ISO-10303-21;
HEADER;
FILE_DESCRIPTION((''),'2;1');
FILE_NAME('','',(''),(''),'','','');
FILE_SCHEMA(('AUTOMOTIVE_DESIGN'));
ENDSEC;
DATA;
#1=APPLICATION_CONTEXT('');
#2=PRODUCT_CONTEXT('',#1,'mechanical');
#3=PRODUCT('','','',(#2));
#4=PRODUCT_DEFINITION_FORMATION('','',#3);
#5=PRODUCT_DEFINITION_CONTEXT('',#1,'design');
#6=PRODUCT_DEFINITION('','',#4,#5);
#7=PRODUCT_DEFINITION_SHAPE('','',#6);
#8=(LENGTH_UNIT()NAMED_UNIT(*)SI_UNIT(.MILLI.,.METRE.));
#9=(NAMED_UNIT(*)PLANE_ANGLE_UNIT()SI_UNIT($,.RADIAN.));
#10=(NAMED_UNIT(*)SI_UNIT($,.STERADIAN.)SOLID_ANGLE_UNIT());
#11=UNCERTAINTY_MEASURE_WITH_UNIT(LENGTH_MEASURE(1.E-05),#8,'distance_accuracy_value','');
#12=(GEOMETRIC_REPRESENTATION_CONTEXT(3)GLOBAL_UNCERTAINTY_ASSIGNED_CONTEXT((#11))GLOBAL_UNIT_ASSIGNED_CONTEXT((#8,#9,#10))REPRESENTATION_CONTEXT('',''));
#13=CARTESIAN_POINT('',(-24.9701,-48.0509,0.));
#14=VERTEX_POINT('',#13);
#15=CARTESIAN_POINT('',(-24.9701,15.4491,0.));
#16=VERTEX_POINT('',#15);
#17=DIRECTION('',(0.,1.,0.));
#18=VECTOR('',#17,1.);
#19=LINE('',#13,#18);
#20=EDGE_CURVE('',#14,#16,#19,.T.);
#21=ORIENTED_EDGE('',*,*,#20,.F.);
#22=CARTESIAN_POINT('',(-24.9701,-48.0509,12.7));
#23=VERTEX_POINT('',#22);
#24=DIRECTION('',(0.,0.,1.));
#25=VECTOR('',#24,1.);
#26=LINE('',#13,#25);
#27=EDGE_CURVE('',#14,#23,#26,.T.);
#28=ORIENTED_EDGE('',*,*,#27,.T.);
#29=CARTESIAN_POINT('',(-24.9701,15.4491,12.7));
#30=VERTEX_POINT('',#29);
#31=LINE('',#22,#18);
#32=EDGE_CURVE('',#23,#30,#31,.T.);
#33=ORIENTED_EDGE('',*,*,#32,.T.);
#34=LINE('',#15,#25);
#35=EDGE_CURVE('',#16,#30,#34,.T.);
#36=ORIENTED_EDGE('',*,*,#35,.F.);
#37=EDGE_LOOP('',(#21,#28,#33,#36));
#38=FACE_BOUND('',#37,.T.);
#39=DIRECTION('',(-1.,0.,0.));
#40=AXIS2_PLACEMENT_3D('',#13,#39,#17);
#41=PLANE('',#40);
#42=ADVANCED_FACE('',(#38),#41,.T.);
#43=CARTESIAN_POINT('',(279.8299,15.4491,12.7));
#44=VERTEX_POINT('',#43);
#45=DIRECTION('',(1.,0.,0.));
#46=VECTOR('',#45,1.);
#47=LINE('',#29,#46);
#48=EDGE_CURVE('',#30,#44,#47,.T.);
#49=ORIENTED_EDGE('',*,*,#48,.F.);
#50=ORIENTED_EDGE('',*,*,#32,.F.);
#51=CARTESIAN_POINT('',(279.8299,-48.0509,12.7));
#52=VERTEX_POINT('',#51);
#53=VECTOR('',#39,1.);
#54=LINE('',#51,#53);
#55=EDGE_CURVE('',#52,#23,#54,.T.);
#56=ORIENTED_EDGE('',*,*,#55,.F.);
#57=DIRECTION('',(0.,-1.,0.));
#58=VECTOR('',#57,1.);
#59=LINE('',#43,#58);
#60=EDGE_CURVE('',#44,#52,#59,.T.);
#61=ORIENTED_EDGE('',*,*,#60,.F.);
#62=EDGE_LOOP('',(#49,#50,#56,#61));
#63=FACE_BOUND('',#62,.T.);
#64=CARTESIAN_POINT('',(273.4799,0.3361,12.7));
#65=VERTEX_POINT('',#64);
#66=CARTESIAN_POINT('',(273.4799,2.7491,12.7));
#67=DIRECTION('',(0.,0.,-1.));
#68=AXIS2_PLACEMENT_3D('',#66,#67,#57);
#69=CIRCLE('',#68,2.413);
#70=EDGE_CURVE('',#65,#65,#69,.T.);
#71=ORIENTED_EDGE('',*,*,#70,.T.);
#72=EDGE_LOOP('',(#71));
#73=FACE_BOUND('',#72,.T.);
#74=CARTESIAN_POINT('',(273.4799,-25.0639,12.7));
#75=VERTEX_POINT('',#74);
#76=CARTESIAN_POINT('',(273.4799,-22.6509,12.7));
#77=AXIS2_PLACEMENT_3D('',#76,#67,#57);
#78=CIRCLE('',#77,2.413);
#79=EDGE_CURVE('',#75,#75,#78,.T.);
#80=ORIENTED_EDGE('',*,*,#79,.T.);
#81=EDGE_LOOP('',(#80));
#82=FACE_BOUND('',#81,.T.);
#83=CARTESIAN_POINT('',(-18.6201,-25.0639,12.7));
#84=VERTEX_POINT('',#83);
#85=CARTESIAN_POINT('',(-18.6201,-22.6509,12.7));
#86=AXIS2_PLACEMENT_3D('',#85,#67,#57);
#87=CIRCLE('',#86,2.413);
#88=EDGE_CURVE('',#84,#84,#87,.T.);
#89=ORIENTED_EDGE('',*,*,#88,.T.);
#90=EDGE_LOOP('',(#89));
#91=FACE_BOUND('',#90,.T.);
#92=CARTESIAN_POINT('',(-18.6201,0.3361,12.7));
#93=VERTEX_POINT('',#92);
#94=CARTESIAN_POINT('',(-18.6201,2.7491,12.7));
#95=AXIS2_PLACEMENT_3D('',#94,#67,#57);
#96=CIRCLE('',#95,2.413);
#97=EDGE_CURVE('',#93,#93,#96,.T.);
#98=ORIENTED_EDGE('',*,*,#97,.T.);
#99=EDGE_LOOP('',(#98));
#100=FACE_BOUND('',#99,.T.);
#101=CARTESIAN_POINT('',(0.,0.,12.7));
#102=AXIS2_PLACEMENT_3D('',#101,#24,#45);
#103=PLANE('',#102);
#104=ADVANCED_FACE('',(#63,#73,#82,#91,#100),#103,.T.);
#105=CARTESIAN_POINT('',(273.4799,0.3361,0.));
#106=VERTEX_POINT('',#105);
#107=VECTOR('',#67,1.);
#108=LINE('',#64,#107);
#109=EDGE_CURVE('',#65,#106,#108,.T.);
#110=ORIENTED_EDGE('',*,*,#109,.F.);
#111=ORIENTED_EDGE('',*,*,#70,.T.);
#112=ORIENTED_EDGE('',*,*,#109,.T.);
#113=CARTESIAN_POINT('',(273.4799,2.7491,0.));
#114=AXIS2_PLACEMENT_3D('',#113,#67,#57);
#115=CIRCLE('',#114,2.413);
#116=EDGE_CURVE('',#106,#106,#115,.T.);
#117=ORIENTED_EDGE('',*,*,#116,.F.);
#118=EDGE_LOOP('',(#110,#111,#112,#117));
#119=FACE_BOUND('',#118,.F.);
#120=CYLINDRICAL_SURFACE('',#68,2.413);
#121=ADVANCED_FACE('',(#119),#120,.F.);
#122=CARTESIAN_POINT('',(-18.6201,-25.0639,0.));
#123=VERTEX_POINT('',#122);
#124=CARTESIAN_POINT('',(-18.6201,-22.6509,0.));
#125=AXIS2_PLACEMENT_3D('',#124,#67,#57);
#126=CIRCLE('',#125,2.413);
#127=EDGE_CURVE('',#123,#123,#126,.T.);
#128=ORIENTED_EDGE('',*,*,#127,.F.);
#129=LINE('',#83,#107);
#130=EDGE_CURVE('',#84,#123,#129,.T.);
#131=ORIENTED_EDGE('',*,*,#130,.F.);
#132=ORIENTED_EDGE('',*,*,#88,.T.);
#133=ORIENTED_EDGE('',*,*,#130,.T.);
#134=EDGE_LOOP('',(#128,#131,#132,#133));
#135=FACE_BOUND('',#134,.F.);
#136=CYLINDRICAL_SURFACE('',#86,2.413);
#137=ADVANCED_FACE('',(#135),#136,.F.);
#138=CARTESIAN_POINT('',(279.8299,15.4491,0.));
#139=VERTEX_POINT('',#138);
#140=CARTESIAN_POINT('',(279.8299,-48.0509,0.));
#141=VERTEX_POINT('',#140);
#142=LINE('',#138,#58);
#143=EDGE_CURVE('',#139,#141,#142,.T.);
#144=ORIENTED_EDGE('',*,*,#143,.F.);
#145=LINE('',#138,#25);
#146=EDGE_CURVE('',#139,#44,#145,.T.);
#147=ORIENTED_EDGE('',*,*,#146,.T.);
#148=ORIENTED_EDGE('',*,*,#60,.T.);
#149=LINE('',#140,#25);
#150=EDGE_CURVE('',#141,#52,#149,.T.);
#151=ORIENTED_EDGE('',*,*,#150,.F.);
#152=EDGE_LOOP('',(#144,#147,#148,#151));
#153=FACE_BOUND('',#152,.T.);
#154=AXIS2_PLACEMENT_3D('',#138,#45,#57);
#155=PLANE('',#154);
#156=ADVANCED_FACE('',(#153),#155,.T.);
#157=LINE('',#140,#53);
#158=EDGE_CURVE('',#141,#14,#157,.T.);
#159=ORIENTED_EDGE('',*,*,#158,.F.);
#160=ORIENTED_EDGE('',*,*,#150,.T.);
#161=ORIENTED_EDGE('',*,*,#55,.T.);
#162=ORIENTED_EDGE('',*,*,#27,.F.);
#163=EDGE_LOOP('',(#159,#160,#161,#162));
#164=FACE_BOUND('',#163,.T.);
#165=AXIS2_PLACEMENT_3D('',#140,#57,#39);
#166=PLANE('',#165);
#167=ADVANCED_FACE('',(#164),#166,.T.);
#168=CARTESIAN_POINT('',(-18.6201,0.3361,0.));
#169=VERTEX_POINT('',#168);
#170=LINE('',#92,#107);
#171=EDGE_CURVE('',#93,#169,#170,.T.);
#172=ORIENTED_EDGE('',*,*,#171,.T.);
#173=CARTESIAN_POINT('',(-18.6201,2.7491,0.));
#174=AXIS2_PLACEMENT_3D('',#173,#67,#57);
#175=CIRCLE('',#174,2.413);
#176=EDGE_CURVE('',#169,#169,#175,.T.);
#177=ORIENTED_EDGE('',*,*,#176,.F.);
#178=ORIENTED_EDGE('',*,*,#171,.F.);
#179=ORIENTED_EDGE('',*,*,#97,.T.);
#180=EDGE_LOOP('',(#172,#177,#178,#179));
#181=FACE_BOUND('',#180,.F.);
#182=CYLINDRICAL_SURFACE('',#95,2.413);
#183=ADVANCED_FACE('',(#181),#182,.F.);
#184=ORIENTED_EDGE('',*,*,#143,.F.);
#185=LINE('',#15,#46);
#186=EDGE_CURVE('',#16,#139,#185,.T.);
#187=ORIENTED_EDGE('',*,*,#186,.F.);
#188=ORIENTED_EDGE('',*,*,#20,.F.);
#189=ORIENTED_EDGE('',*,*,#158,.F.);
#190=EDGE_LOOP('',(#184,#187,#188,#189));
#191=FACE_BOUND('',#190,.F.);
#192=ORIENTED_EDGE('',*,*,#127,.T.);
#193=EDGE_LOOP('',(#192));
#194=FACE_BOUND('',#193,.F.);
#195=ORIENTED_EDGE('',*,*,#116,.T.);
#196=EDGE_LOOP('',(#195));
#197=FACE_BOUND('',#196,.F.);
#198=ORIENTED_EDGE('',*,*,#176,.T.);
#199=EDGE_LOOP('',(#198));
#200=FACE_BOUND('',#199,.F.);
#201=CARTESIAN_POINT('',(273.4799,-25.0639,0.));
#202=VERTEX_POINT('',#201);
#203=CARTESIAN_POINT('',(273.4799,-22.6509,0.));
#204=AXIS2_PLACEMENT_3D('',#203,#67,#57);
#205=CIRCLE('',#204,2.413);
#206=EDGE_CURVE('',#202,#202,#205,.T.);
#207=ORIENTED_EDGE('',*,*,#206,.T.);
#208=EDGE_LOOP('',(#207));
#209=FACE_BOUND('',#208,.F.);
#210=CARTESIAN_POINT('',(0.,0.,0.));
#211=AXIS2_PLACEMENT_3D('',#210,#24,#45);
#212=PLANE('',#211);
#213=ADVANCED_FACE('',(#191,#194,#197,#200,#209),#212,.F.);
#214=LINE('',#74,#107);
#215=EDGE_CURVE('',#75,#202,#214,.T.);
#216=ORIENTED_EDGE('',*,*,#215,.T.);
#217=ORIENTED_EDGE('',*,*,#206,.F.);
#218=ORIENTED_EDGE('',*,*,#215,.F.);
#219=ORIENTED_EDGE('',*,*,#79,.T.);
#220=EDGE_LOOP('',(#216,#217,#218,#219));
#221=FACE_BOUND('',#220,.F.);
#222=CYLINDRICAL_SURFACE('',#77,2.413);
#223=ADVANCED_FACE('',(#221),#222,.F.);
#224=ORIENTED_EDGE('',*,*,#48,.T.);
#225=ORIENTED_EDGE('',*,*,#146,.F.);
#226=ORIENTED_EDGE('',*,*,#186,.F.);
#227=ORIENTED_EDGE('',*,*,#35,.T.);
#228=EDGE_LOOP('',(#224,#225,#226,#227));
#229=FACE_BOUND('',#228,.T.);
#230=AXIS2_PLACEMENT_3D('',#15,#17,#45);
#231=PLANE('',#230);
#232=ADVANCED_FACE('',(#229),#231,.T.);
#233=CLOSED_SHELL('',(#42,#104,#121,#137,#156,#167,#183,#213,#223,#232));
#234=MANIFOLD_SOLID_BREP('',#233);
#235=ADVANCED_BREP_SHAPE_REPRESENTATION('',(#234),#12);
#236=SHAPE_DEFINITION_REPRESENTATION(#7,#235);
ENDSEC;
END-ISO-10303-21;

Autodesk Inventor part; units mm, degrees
ref_plane "YZ Plane" through (0, 0, 0) normal (1, 0, 0) x (0, 1, 0)
ref_plane "XZ Plane" through (0, 0, 0) normal (0, 1, 0) x (-1, 0, 0)
ref_plane "XY Plane" through (0, 0, 0) normal (0, 0, 1) x (1, 0, 0)
sketch "Sketch1" plane through (0, 0, 0) normal (0, 0, 1) x (1, 0, 0)
  line L0 (-24.9701, 15.4491) -> (279.8299, 15.4491)
  line L1 (279.8299, 15.4491) -> (279.8299, -48.0509)
  line L2 (279.8299, -48.0509) -> (-24.9701, -48.0509)
  line L3 (-24.9701, -48.0509) -> (-24.9701, 15.4491)
  point P0 (0, 0)
  dimension "d0" = 304.8
  dimension "d1" = 63.5
extrude "Extrusion1" add sketch "Sketch1" along normal blind 12.7
hole "Hole1" at (-18.6201, 2.7491, 12.7) direction (0, 0, -1) diameter 4.826 end through all
hole "Hole2" at (-18.6201, -22.6509, 12.7) direction (0, 0, -1) diameter 4.826 end through all
hole "Hole3" at (273.4799, 2.7491, 12.7) direction (0, 0, -1) diameter 4.826 end through all
hole "Hole4" at (273.4799, -22.6509, 12.7) direction (0, 0, -1) diameter 4.826 end through all
sketch "Sketch2" plane through (0, 0, 12.7) normal (0, 0, 1) x (1, 0, 0)
  circle A0 centre (273.4799, -22.6509) radius 2.413 projected
  circle A1 centre (273.4799, 2.7491) radius 2.413 projected
  circle A2 centre (-18.6201, -22.6509) radius 2.413 projected
  circle A3 centre (-18.6201, 2.7491) radius 2.413 projected
  line L0 (279.8299, 15.4491) -> (279.8299, -48.0509) projected
  line L1 (-24.9701, 15.4491) -> (279.8299, 15.4491) projected
  line L2 (-24.9701, -48.0509) -> (-24.9701, 15.4491) projected
  line L3 (279.8299, -48.0509) -> (-24.9701, -48.0509) projected
  point P0 (0, 0)
  dimension "d40" = 304.8
  dimension "d41" = 63.5
  dimension "d42" = 6.35
  dimension "d43" = 6.35
  dimension "d44" = 6.35
  dimension "d45" = 6.35
sketch "Sketch3" plane through (0, 0, 12.7) normal (0, 0, 1) x (1, 0, 0)
  circle A0 centre (273.4799, -22.6509) radius 2.413 projected
  circle A1 centre (273.4799, 2.7491) radius 2.413 projected
  circle A2 centre (-18.6201, -22.6509) radius 2.413 projected
  circle A3 centre (-18.6201, 2.7491) radius 2.413 projected
  line L0 (279.8299, 15.4491) -> (279.8299, -48.0509) projected
  line L1 (-24.9701, 15.4491) -> (279.8299, 15.4491) projected
  line L2 (-24.9701, -48.0509) -> (-24.9701, 15.4491) projected
  line L3 (279.8299, -48.0509) -> (-24.9701, -48.0509) projected
  point P0 (0, 0)
properties part number "xcross1"
